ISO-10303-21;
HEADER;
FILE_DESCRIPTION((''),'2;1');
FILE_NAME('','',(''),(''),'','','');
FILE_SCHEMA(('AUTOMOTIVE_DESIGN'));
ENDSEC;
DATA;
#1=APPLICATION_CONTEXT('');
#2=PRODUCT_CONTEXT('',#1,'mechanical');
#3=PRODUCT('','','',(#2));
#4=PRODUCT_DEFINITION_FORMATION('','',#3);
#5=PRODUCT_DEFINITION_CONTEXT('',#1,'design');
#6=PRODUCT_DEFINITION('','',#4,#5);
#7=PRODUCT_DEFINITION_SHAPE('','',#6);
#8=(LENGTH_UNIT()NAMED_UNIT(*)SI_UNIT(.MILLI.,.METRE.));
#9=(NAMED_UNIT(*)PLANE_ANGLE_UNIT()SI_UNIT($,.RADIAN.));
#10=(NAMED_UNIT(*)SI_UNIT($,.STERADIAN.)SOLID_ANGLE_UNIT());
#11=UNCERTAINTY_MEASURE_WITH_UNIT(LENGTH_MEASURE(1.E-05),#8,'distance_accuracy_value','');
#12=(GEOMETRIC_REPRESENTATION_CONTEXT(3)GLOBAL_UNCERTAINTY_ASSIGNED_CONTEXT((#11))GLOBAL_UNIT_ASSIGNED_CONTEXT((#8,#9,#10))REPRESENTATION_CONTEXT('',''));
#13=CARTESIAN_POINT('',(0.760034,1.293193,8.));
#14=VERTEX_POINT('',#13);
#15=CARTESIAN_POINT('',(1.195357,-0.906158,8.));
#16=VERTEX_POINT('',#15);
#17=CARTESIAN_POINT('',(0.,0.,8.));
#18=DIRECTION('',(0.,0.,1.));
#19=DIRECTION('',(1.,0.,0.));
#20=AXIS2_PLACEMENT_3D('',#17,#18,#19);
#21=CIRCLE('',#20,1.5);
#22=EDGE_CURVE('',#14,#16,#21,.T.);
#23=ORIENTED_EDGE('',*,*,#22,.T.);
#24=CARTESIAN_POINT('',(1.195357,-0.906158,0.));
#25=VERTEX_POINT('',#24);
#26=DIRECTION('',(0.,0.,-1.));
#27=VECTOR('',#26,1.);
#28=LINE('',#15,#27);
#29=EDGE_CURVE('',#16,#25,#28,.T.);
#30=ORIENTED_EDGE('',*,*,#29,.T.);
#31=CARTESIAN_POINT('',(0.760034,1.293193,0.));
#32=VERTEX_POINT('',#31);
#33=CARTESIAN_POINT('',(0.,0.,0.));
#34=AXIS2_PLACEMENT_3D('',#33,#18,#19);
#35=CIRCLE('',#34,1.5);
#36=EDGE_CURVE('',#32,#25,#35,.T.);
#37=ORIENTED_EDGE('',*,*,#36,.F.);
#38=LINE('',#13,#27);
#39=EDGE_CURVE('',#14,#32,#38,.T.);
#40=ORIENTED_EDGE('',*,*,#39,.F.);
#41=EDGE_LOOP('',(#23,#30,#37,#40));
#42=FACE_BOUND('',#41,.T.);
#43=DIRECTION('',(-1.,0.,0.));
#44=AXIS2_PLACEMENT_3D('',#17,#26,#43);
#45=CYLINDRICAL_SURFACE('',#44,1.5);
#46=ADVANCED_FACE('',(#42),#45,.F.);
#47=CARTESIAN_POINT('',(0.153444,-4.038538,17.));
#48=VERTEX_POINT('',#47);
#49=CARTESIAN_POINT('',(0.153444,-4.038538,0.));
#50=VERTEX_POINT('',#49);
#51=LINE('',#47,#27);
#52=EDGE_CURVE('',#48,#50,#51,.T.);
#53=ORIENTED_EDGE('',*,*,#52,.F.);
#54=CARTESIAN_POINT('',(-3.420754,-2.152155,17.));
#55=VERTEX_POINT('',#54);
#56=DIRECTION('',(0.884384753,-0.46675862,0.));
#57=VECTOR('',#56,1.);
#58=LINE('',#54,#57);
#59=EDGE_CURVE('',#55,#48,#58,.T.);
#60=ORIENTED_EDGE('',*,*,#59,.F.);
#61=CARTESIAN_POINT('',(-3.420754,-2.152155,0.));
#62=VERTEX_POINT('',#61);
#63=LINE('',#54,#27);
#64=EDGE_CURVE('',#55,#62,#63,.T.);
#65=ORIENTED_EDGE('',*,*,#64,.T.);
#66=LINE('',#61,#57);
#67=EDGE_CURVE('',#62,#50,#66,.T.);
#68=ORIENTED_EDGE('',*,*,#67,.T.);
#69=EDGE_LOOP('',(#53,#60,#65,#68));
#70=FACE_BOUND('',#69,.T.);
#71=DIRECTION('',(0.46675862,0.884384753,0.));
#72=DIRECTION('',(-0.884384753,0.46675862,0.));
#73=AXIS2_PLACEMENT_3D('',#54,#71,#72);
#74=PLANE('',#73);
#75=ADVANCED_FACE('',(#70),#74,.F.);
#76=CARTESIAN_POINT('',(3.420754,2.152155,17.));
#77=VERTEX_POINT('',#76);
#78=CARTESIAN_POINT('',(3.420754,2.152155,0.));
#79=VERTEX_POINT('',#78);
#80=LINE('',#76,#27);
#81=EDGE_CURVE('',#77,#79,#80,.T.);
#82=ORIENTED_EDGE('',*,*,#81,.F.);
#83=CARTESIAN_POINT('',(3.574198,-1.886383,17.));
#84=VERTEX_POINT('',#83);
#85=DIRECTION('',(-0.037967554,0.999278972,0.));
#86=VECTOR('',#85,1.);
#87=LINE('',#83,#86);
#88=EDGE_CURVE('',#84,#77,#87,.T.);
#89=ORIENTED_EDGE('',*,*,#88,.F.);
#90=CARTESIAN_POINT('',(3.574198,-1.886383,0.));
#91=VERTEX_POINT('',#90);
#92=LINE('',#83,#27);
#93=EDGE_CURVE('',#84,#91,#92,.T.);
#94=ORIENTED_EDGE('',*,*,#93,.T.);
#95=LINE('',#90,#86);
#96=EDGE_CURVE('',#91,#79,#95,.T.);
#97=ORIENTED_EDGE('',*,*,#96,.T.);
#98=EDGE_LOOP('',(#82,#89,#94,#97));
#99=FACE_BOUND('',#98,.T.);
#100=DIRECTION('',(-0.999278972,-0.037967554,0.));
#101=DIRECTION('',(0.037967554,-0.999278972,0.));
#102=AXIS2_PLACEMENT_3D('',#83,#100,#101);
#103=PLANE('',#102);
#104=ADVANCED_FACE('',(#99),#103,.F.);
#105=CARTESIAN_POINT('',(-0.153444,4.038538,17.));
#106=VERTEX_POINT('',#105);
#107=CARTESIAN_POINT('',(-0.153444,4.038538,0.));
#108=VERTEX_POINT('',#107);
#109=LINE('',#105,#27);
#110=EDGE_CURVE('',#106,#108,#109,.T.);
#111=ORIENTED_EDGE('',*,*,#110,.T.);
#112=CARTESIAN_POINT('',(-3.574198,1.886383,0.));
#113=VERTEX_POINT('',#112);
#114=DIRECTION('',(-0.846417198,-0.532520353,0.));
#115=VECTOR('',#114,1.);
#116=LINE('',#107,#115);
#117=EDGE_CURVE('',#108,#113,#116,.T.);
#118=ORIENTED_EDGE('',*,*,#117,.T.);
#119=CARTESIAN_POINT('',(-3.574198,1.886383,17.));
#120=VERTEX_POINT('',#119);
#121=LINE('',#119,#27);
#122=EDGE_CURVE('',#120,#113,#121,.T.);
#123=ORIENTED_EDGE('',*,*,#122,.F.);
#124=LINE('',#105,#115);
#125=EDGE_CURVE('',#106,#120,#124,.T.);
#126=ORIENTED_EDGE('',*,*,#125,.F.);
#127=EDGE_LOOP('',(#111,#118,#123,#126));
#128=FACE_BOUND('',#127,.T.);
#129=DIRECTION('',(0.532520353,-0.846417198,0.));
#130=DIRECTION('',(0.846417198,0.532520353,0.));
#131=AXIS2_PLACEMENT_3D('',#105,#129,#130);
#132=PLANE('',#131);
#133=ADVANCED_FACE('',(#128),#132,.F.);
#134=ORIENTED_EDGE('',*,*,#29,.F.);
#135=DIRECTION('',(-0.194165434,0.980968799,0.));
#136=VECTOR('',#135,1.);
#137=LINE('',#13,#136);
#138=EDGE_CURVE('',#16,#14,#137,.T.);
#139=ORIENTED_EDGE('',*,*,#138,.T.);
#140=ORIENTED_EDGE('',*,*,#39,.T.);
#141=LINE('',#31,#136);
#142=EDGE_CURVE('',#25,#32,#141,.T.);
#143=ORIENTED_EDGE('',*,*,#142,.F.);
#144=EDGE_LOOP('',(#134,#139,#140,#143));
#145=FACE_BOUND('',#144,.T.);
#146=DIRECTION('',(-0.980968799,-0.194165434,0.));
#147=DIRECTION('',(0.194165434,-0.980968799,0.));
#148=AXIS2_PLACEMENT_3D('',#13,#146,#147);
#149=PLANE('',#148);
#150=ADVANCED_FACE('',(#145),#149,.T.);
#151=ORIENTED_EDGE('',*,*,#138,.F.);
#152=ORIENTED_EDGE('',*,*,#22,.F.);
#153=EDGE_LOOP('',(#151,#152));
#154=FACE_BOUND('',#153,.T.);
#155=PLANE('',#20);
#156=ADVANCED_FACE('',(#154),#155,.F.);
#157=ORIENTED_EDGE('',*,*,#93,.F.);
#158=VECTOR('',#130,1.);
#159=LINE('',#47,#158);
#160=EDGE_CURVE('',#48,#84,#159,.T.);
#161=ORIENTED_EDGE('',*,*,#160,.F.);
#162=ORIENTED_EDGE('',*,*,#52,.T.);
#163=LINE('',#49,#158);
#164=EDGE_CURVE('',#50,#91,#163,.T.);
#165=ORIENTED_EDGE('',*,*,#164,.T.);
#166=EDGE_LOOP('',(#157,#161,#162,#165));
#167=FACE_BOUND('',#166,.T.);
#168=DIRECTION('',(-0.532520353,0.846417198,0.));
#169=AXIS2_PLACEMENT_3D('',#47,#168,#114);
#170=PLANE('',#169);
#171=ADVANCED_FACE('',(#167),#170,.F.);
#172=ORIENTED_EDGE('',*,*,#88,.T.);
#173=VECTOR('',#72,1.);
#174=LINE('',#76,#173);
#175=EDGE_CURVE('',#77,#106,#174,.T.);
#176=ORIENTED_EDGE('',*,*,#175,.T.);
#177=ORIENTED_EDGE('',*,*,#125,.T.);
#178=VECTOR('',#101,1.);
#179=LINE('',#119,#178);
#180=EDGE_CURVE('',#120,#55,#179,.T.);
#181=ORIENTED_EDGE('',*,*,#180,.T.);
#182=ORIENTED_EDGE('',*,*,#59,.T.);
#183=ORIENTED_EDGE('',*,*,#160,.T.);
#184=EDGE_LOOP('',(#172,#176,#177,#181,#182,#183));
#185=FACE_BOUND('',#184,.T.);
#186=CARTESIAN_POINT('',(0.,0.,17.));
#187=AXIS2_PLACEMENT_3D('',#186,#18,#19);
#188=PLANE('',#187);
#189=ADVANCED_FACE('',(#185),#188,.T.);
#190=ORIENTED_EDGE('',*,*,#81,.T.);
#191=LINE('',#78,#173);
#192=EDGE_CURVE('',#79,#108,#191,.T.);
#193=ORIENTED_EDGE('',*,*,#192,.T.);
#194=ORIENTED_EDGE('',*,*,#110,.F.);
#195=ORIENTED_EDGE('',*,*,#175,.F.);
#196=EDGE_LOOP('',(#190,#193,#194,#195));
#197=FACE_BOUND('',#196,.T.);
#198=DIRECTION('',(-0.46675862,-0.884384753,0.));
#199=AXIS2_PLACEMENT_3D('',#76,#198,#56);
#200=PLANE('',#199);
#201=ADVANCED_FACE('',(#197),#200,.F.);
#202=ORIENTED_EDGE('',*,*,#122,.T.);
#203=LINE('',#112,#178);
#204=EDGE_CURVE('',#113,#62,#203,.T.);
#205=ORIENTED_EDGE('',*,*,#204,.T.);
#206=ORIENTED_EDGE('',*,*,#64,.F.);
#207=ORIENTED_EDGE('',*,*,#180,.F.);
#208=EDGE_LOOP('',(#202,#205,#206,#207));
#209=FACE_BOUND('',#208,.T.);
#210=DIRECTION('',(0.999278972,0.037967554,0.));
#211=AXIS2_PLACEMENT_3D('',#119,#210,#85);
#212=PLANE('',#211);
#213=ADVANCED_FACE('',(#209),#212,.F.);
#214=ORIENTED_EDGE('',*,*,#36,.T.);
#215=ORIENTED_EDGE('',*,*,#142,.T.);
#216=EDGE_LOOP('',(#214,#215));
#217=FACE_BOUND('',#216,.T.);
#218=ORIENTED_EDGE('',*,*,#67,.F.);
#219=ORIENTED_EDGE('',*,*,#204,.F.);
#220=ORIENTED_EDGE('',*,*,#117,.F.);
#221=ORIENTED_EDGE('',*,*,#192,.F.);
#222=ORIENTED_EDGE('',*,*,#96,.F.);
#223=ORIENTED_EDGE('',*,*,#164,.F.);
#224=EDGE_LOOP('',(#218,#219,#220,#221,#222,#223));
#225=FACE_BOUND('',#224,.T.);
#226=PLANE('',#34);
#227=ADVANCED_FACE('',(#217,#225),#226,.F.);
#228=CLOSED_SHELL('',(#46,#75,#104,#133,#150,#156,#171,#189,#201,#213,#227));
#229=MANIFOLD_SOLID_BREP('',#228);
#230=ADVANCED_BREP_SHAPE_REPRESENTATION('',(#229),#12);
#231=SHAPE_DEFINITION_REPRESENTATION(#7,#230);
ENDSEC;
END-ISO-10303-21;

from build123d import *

# Parameters (mm, degrees)
BOSS_EXTRUDE1_DEPTH = 17
CUT_EXTRUDE7_DEPTH  = 8


with BuildPart() as part:
    # Sketch1 → Boss-Extrude1 (new body)
    with BuildSketch(Plane.XY):
        Polygon((3.574198426, -1.886382503), (3.420754381, 2.152155384), (-0.153444044, 4.038537886), (-3.574198426, 1.886382503), (-3.420754381, -2.152155384), (0.153444044, -4.038537886), align=None)
    extrude(amount=BOSS_EXTRUDE1_DEPTH)

    # Sketch2 → Cut-Extrude7 (cut)
    with BuildSketch(Plane.XY):
        with BuildLine():
            Line((0.76003439, 1.293192842), (1.195356952, -0.906157689))
            ThreePointArc((1.195356952, -0.906157689), (-1.471453198, -0.291248151), (0.76003439, 1.293192842))
        make_face()
    extrude(amount=CUT_EXTRUDE7_DEPTH, mode=Mode.SUBTRACT)


solid = part.part
